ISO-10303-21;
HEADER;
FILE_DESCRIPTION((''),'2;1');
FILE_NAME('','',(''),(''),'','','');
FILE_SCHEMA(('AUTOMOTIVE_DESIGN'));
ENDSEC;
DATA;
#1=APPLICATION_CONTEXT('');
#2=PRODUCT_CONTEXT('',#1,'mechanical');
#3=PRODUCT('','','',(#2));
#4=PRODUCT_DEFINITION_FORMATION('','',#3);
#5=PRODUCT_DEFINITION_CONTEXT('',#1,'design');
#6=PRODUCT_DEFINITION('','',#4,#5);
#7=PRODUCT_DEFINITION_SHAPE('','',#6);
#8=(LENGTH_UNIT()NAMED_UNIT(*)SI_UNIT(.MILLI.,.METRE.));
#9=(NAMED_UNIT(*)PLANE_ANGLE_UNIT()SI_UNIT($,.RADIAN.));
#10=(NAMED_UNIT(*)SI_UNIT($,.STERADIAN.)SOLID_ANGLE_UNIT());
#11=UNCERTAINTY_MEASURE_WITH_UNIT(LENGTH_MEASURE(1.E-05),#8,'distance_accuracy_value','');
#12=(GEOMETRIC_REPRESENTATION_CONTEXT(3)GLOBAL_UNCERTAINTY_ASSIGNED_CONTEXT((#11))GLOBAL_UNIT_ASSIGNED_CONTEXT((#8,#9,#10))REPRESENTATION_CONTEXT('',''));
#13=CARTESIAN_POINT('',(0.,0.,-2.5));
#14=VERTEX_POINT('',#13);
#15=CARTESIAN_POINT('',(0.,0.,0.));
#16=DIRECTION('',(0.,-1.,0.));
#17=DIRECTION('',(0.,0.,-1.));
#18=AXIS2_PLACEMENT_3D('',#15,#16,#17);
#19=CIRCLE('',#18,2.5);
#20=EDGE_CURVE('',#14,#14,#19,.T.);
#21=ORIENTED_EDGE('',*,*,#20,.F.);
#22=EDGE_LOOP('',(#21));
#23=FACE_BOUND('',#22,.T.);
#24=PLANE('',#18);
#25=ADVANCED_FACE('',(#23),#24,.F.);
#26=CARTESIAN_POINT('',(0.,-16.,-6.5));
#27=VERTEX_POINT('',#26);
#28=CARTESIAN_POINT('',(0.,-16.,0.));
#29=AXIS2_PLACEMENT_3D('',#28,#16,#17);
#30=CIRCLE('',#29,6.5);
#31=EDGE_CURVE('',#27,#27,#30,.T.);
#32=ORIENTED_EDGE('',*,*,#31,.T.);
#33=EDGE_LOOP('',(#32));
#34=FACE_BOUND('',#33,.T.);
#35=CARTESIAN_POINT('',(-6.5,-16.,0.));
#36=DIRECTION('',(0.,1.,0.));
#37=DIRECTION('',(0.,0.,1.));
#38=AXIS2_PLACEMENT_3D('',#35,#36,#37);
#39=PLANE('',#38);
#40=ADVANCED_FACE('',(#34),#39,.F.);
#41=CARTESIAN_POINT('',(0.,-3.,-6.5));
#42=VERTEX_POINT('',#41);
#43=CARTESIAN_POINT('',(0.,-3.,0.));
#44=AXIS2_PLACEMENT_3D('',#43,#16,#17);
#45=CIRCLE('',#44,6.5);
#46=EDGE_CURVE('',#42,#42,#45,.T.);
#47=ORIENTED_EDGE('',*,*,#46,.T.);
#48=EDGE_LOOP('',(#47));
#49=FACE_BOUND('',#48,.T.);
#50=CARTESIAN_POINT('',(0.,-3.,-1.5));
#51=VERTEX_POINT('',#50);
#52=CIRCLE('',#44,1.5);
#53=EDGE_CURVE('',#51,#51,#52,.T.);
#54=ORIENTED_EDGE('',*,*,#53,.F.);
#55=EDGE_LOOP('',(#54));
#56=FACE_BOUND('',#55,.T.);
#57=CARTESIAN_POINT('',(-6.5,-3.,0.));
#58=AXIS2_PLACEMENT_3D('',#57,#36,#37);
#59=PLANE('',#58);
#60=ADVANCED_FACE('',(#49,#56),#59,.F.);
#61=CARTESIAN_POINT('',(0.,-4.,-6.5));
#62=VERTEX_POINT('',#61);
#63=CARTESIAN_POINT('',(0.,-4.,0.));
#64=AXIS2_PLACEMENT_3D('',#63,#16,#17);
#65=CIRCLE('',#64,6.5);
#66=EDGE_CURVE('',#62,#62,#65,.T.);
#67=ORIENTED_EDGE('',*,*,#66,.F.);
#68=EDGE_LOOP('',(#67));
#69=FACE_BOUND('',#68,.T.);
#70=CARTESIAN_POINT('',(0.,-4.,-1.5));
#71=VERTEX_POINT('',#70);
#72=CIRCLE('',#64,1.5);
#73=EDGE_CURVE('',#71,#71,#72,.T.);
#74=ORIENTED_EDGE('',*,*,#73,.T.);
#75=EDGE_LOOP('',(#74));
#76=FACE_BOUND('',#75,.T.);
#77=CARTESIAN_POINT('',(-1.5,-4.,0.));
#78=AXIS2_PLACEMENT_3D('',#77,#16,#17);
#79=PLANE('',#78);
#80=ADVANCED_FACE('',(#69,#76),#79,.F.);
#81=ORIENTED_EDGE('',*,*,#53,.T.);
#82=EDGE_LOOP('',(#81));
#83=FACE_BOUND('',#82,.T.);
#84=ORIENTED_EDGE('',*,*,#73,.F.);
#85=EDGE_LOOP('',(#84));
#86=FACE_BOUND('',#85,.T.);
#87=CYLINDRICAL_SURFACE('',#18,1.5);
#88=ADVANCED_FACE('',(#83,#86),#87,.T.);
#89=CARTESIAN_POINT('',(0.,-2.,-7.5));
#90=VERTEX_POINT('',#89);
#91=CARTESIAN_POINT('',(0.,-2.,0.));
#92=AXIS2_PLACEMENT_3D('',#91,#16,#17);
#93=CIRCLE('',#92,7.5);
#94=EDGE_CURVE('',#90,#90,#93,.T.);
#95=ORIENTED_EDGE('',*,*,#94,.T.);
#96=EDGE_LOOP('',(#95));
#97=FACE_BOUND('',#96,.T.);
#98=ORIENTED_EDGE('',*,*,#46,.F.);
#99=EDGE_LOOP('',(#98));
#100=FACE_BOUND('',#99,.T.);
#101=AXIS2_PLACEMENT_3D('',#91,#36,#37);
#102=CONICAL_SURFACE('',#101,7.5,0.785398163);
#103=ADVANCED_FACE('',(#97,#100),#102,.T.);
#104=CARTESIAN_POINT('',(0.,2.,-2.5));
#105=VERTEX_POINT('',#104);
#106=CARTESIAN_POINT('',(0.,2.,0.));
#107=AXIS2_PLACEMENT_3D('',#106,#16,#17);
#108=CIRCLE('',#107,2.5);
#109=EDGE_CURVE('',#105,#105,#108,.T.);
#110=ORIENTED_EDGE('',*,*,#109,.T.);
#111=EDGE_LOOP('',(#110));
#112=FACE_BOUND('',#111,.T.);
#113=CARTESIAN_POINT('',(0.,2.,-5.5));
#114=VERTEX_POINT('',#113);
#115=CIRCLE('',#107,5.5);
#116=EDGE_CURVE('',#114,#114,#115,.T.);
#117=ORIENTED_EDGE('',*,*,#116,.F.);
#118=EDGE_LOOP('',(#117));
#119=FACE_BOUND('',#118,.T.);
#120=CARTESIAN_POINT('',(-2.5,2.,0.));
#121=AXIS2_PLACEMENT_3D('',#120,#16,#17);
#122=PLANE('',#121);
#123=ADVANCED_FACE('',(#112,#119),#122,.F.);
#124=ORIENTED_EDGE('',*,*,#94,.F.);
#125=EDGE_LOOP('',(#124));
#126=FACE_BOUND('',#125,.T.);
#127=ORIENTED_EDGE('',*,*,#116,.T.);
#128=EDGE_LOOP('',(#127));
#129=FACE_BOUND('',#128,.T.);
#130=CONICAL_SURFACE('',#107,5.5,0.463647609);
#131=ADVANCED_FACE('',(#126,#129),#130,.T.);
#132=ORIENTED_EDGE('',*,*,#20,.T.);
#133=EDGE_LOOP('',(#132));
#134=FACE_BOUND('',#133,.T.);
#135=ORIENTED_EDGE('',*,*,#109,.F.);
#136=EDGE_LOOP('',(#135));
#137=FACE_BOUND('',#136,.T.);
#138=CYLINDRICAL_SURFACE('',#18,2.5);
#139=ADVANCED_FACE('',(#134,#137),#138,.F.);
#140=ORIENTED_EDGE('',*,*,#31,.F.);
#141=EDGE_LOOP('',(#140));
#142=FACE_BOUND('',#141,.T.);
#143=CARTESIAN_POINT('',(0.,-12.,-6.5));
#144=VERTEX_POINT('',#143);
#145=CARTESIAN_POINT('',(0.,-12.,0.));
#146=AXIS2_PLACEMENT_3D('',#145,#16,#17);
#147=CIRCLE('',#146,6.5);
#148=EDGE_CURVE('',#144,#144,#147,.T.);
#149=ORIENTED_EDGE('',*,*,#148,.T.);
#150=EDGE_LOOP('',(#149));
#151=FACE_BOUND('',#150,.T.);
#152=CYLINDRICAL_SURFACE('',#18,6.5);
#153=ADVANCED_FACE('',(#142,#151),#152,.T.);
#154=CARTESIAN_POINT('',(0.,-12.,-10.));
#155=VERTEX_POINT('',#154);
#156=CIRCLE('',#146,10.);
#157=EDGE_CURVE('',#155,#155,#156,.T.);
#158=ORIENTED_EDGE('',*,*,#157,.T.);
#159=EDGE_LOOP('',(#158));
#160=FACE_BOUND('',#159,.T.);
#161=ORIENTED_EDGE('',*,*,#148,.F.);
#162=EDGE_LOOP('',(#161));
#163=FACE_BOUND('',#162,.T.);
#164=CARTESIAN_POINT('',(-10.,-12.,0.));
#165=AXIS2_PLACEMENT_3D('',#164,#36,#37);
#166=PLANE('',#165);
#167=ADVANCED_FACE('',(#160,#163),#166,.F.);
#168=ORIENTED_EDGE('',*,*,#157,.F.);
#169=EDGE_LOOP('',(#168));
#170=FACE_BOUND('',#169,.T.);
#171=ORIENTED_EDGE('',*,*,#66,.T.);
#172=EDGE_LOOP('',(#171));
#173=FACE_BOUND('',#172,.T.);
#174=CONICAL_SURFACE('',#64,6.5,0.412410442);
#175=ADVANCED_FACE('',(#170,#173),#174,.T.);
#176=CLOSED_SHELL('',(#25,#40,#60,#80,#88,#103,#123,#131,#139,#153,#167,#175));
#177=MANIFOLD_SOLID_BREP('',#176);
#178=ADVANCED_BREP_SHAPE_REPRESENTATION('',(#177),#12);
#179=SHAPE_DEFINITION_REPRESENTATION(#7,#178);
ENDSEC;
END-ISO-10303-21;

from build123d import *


with BuildPart() as part:
    # Sketch1 → Revolve1 (revolve)
    with BuildSketch(Plane.XY, mode=Mode.PRIVATE) as revolve1_sk:
        Polygon((0, 0), (-2.5, 0), (-2.5, 2), (-5.5, 2), (-7.5, -2), (-6.5, -3), (-1.5, -3), (-1.5, -4), (-6.5, -4), (-10, -12), (-6.5, -12), (-6.5, -16), (0, -16), align=None)
    revolve(revolve1_sk.sketch.rotate(Axis((0, 0, 0), (0, 1, 0)), 270), axis=Axis((0, 0, 0), (0, 1, 0)))


solid = part.part
